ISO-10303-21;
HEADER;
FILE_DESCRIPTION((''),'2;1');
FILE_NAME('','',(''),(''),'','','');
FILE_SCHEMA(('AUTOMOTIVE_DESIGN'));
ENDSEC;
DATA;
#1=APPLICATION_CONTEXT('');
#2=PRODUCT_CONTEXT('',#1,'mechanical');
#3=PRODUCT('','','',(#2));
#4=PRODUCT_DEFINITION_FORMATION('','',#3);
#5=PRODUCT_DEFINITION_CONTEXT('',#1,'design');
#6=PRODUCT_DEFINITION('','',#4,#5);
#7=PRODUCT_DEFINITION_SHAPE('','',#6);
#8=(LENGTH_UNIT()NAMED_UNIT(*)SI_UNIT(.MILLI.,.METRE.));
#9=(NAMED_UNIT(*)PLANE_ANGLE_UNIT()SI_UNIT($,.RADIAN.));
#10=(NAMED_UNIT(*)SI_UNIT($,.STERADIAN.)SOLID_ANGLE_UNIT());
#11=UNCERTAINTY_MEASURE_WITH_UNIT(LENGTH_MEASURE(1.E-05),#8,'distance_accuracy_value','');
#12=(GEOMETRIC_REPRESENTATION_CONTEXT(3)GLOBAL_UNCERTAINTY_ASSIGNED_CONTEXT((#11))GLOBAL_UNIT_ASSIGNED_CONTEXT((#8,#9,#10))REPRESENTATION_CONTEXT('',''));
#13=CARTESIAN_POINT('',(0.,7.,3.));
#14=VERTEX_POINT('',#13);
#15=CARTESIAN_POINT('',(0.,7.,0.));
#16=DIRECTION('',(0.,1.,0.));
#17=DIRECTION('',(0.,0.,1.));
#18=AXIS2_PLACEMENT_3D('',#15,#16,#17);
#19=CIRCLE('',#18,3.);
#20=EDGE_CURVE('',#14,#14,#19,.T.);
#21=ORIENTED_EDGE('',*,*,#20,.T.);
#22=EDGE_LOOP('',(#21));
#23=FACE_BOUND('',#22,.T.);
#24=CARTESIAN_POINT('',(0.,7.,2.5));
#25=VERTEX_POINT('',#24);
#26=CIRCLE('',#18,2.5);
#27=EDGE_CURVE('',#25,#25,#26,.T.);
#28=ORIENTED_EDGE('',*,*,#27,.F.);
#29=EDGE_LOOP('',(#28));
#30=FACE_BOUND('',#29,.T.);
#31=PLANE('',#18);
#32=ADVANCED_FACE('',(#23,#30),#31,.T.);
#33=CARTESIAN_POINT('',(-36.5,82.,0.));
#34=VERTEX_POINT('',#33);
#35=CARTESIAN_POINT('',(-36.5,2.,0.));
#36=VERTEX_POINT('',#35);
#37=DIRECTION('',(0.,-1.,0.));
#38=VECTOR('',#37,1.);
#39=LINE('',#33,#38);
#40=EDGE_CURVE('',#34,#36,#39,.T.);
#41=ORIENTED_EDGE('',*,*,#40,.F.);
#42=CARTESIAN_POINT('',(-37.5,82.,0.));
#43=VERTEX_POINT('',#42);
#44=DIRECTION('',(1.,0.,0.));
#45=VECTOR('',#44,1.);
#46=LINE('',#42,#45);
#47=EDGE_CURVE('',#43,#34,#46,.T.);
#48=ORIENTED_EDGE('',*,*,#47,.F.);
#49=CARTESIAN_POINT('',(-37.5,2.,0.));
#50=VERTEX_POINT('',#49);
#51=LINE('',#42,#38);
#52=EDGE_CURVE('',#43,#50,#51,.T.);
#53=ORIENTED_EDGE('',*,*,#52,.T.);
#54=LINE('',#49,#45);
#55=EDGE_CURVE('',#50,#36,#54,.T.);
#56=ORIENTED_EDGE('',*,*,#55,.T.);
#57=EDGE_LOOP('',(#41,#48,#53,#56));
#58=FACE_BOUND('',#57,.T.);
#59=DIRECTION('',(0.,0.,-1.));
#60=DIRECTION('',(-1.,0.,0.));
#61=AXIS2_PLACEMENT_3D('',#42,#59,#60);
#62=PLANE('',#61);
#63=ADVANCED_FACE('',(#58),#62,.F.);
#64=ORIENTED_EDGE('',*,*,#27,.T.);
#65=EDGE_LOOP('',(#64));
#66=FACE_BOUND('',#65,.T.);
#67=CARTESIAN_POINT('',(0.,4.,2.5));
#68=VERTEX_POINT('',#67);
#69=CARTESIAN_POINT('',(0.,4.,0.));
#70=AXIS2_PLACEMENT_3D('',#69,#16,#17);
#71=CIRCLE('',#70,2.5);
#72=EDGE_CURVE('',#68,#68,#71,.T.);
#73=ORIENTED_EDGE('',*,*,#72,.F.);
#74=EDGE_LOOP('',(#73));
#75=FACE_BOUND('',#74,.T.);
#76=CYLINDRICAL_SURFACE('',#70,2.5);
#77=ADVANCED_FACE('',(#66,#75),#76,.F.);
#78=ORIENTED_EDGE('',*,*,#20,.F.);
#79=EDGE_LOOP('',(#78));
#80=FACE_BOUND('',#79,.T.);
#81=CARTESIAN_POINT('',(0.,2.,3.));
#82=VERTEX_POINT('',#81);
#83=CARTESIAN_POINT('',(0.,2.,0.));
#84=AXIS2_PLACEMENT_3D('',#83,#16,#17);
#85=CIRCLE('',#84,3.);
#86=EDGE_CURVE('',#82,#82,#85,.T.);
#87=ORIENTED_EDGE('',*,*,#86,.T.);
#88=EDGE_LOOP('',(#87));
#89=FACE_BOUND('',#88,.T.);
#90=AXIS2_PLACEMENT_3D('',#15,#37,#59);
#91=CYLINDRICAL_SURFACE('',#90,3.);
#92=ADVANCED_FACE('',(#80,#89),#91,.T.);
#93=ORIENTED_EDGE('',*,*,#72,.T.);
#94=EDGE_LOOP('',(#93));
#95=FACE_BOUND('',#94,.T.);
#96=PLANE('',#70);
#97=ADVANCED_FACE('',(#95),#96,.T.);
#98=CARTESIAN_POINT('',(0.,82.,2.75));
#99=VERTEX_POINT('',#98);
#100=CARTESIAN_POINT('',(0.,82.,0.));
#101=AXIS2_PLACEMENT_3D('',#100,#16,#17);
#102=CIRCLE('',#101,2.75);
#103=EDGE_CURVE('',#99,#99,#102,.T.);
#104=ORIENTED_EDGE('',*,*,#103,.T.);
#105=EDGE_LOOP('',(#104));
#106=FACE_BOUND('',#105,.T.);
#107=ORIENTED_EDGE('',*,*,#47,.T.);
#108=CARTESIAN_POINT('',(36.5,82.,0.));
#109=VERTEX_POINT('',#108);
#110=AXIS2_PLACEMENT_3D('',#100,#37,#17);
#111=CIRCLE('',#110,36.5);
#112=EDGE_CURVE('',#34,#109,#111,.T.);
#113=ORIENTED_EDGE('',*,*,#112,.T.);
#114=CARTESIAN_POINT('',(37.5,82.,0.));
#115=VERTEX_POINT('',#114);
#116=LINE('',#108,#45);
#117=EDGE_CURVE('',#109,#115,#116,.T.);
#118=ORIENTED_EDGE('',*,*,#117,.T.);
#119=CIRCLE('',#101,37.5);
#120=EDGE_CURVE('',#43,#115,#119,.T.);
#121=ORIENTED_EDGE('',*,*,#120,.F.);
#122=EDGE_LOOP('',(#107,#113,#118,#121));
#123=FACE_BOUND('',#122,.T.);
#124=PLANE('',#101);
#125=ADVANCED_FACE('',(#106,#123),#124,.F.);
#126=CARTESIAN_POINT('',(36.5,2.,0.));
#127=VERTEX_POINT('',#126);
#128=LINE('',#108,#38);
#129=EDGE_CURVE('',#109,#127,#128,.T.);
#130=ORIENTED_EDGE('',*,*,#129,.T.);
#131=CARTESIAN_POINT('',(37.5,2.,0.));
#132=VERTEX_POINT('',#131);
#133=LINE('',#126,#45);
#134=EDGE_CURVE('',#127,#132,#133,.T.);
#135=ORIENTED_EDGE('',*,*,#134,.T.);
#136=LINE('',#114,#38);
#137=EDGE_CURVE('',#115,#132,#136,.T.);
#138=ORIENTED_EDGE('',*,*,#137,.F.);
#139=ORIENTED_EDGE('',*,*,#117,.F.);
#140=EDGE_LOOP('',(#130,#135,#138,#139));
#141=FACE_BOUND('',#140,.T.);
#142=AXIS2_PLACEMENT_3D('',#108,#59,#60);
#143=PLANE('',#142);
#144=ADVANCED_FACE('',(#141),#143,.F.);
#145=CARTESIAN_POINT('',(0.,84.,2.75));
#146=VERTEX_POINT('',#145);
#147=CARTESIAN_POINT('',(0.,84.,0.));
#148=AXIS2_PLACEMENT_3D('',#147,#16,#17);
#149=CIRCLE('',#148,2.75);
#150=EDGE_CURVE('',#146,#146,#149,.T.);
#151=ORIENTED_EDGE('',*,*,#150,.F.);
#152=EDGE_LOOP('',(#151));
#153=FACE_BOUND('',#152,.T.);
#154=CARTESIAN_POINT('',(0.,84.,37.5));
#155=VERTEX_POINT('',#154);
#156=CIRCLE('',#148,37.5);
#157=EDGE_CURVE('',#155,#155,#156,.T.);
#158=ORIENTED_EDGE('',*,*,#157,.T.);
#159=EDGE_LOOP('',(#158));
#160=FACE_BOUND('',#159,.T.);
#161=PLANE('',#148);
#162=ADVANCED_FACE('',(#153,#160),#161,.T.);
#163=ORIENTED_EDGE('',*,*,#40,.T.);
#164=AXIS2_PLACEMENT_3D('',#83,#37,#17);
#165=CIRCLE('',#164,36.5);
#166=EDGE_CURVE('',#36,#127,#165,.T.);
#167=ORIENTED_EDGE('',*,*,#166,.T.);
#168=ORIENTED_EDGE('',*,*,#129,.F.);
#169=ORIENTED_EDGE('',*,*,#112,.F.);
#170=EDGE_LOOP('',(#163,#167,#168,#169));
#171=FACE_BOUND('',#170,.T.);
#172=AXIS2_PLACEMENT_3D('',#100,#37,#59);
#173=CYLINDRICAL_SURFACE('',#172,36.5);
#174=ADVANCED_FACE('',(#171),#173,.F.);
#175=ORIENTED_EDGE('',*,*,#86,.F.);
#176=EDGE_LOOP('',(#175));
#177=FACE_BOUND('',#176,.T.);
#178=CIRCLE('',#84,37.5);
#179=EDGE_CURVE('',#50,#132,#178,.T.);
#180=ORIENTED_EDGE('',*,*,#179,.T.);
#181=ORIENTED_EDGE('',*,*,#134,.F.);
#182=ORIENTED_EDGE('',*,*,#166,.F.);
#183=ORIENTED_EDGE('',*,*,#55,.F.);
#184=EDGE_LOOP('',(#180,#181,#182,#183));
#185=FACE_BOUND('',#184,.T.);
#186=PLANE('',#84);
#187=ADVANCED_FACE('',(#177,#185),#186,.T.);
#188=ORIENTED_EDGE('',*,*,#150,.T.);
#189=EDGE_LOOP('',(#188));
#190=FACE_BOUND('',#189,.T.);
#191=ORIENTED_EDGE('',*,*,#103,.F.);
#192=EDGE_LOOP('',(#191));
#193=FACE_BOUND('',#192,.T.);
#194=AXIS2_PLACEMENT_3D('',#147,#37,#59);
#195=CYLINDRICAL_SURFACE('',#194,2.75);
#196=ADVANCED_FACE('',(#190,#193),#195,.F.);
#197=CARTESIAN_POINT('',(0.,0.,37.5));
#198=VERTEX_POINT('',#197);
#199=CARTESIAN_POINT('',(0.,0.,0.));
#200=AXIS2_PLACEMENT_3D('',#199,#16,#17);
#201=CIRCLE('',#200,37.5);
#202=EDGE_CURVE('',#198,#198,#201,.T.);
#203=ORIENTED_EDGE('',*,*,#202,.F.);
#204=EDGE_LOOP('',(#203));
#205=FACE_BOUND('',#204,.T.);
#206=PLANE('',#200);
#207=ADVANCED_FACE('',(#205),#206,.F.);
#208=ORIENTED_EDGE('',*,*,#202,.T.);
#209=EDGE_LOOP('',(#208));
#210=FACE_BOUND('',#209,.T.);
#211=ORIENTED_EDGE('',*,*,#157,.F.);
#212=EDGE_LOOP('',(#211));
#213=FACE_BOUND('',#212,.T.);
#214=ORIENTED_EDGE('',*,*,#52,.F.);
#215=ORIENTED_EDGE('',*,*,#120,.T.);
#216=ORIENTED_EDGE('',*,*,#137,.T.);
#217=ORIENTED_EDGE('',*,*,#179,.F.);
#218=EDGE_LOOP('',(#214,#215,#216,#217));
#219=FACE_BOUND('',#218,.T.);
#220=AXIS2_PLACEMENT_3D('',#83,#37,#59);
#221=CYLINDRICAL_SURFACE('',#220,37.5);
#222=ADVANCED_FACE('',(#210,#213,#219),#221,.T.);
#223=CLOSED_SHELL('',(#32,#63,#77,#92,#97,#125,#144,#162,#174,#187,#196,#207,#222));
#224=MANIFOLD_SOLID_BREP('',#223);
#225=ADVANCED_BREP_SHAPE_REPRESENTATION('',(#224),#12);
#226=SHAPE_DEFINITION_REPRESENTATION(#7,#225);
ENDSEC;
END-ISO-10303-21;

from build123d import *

# Parameters (mm, degrees)
SKETCH1_R           = 37.5
BOSS_EXTRUDE1_DEPTH = 2
SKETCH2_R           = 3
BOSS_EXTRUDE2_DEPTH = 5
SKETCH3_R           = 2.5
CUT_EXTRUDE1_DEPTH  = 3
BOSS_EXTRUDE3_DEPTH = 80
SKETCH5_R           = 37.5
SKETCH5_R_2         = 2.75
BOSS_EXTRUDE4_DEPTH = 2


with BuildPart() as part:
    # Sketch1 → Boss-Extrude1 (new body)
    with BuildSketch(Plane(origin=(0, 0, 0), x_dir=(1, 0, 0), z_dir=(0, 1, 0))):
        with Locations(Location((0, 0, 0), (0, 0, 270))):
            Circle(SKETCH1_R)
    extrude(amount=BOSS_EXTRUDE1_DEPTH)

    # Sketch2 → Boss-Extrude2 (add)
    with BuildSketch(Plane(origin=(0, 2, 0), x_dir=(1, 0, 0), z_dir=(0, 1, 0))):
        with Locations(Location((0, 0, 0), (0, 0, 270))):
            Circle(SKETCH2_R)
    extrude(amount=BOSS_EXTRUDE2_DEPTH)

    # Sketch3 → Cut-Extrude1 (cut)
    with BuildSketch(Plane(origin=(0, 7, 0), x_dir=(1, 0, 0), z_dir=(0, 1, 0))):
        with Locations(Location((0, 0, 0), (0, 0, 270))):
            Circle(SKETCH3_R)
    extrude(amount=-CUT_EXTRUDE1_DEPTH, mode=Mode.SUBTRACT)

    # Sketch4 → Boss-Extrude3 (add)
    with BuildSketch(Plane(origin=(0, 2, 0), x_dir=(1, 0, 0), z_dir=(0, 1, 0))):
        with BuildLine():
            Line((-37.5, 0), (-36.5, 0))
            ThreePointArc((-36.5, 0), (0, 36.5), (36.5, 0))
            Line((36.5, 0), (37.5, 0))
            ThreePointArc((37.5, 0), (0, 37.5), (-37.5, 0))
        make_face()
    extrude(amount=BOSS_EXTRUDE3_DEPTH)

    # Sketch5 → Boss-Extrude4 (add)
    with BuildSketch(Plane(origin=(0, 82, 0), x_dir=(1, 0, 0), z_dir=(0, 1, 0))):
        with Locations(Location((0, 0, 0), (0, 0, 270))):
            Circle(SKETCH5_R)
        with Locations(Location((0, 0, 0), (0, 0, 270))):
            Circle(SKETCH5_R_2, mode=Mode.SUBTRACT)
    extrude(amount=BOSS_EXTRUDE4_DEPTH)


solid = part.part
